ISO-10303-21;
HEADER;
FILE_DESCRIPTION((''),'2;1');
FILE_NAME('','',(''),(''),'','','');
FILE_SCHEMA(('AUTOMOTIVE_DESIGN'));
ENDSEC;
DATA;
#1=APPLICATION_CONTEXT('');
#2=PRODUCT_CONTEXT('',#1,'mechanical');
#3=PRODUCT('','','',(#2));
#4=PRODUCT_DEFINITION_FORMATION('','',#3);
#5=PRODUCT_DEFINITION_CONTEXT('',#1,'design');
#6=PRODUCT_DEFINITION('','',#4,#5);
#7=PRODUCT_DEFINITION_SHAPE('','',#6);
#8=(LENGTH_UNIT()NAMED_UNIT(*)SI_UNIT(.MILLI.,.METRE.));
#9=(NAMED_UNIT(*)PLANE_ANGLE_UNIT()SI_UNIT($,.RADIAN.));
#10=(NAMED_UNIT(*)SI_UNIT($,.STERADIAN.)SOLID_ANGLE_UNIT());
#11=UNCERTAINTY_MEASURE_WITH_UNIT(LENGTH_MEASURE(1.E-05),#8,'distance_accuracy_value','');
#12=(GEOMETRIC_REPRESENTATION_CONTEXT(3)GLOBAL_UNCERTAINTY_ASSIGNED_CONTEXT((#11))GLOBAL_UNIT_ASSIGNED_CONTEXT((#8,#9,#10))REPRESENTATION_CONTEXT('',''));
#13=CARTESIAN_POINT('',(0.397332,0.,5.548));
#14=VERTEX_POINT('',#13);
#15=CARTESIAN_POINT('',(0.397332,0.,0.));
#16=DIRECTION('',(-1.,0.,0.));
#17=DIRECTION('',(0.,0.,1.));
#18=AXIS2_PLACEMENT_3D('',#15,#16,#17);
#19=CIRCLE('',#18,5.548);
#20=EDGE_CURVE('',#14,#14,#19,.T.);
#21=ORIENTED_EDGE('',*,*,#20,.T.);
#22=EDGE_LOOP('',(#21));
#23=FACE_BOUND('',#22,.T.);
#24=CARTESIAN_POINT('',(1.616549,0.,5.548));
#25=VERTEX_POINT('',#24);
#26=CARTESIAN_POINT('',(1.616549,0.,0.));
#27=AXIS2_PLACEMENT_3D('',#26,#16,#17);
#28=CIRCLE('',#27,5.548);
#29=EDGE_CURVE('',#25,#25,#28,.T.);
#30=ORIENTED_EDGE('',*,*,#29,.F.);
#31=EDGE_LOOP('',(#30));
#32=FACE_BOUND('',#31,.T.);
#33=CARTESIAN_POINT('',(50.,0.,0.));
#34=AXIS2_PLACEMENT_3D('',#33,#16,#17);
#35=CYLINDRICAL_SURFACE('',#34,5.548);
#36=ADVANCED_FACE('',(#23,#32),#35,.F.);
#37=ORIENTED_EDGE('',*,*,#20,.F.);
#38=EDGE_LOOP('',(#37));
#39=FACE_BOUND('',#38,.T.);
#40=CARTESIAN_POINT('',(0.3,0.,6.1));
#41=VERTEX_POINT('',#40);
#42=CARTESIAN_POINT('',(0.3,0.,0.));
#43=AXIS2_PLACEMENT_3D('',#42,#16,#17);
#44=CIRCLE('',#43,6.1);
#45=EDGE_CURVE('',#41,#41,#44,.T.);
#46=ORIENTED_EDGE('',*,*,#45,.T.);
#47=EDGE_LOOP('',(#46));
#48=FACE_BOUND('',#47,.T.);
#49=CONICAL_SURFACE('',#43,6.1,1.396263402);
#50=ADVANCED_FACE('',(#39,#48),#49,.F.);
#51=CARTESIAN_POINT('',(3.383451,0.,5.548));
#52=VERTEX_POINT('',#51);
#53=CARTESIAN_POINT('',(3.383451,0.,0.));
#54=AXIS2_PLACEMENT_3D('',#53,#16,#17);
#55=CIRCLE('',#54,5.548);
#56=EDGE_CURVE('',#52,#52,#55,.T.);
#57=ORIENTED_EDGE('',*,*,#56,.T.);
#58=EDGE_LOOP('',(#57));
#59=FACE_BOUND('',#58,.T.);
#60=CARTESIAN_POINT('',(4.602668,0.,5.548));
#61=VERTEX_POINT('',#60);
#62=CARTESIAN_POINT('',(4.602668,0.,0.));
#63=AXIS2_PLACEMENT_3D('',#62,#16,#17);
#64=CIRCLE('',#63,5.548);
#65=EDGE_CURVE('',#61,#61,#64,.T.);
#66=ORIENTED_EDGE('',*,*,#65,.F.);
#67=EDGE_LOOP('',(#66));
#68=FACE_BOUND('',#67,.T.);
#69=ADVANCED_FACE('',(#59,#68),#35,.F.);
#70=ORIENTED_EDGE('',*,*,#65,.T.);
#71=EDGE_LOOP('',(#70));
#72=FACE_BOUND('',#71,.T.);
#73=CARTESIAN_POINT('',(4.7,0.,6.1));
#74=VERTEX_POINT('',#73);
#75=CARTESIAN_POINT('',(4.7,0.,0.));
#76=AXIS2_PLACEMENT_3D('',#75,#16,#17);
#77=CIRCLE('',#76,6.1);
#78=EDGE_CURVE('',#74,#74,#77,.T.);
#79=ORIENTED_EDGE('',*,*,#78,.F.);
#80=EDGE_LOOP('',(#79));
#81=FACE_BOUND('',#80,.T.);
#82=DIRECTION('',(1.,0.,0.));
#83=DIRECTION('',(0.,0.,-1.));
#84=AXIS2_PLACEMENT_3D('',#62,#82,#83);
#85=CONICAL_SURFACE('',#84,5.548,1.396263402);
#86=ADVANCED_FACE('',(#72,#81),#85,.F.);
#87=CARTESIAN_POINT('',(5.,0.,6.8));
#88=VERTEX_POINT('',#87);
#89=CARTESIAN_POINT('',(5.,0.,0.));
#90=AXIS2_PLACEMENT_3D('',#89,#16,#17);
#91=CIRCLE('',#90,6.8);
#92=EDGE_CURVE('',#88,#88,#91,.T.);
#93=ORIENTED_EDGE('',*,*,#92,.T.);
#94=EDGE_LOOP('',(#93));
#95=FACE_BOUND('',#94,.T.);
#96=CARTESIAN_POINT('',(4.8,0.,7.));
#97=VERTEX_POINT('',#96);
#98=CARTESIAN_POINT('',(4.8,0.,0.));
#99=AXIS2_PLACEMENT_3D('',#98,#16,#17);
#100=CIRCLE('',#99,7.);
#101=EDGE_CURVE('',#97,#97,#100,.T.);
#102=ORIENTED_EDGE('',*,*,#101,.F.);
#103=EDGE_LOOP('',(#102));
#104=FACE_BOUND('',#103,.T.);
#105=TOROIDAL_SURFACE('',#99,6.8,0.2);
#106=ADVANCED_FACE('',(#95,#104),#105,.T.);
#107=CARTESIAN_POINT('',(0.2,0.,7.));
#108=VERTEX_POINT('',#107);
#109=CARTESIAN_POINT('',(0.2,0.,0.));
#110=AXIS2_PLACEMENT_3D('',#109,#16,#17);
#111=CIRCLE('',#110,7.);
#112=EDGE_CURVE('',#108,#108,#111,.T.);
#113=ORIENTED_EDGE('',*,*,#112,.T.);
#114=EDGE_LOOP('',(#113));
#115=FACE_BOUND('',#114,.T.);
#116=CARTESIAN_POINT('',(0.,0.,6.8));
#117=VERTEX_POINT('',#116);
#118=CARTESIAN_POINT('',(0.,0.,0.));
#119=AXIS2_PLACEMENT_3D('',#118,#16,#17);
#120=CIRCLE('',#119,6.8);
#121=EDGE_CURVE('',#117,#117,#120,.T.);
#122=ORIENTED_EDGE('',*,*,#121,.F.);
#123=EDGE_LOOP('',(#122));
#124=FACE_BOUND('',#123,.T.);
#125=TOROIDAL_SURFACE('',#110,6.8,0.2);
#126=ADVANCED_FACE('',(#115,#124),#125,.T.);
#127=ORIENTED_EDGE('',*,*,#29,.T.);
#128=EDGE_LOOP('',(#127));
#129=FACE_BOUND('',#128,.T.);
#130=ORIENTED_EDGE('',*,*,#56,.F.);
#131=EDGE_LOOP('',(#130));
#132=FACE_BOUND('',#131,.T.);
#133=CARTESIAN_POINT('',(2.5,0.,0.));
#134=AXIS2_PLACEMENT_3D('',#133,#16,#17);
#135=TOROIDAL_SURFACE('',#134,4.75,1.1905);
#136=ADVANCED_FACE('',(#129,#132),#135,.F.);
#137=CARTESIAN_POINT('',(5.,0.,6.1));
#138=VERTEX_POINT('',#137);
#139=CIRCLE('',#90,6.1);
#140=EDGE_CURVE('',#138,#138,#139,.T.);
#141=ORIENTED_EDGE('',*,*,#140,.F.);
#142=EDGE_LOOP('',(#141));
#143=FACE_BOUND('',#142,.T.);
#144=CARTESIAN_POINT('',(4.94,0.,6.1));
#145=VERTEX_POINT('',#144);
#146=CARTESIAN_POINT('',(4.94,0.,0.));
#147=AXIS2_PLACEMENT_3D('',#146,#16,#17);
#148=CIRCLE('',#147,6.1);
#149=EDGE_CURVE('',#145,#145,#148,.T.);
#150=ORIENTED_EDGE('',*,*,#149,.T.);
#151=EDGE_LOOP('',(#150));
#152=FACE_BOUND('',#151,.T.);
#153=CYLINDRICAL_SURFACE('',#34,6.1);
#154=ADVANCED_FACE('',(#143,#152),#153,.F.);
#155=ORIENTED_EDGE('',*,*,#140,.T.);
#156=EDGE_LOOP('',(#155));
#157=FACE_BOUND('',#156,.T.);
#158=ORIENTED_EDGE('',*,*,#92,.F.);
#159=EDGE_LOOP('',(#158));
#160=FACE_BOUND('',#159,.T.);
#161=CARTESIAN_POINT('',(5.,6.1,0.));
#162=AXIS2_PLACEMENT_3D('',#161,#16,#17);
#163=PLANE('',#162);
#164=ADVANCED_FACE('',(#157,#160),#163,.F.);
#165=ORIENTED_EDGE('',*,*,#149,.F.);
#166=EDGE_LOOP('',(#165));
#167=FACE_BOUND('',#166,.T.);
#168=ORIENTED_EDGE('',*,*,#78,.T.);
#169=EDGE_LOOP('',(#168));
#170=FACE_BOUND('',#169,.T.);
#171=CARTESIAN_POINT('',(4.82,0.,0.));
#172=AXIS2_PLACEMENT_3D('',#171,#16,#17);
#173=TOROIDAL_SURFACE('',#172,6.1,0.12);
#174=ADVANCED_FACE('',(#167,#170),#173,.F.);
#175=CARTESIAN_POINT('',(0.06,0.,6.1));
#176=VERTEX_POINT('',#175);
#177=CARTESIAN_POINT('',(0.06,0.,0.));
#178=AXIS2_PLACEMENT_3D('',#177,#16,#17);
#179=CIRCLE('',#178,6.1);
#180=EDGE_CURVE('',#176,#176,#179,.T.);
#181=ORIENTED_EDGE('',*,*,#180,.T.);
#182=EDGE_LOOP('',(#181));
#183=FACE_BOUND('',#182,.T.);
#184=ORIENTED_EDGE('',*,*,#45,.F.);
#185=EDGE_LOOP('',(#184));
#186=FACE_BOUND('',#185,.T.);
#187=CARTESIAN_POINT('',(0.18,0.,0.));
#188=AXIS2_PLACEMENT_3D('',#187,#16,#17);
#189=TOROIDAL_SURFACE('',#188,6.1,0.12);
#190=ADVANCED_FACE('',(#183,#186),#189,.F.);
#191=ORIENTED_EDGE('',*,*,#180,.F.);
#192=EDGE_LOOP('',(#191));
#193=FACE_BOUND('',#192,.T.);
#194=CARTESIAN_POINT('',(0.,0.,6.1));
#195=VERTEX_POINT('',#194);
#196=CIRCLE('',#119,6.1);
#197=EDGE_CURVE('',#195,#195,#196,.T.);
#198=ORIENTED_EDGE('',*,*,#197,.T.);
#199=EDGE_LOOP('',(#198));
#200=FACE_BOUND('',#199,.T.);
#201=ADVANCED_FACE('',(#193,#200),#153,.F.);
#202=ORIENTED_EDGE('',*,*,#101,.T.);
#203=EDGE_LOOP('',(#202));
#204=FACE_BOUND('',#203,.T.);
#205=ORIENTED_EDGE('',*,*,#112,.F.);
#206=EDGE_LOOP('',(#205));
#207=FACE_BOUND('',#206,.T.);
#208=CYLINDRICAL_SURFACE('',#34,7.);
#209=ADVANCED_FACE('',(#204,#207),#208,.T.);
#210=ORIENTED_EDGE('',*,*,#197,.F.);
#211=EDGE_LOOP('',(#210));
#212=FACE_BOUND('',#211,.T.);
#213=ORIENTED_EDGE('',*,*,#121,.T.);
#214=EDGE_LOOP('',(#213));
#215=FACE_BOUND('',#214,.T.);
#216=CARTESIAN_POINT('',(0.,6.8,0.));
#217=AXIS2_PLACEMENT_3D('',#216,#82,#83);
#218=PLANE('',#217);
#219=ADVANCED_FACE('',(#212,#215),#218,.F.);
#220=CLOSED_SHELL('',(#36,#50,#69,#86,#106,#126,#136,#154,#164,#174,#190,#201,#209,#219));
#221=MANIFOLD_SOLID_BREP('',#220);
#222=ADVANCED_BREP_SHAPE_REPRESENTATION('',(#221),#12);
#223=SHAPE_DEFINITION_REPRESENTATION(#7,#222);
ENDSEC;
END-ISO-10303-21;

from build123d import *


with BuildPart() as part:
    # Sketch1 → Revolve1 (revolve)
    with BuildSketch(Plane.XY, mode=Mode.PRIVATE) as revolve1_sk:
        with BuildLine():
            Line((0, 6.8), (0, 6.1))
            Line((0, 6.1), (0.06, 6.1))
            ThreePointArc((0.06, 6.1), (0.18, 6.22), (0.3, 6.1))
            Line((0.3, 6.1), (0.397332493, 5.548))
            Line((0.397332493, 5.548), (1.616548671, 5.548))
            ThreePointArc((1.616548671, 5.548), (2.5, 5.9405), (3.383451329, 5.548))
            Line((3.383451329, 5.548), (4.602667507, 5.548))
            Line((4.602667507, 5.548), (4.7, 6.1))
            ThreePointArc((4.7, 6.1), (4.82, 6.22), (4.94, 6.1))
            Line((4.94, 6.1), (5, 6.1))
            Line((5, 6.1), (5, 6.8))
            ThreePointArc((5, 6.8), (4.941421356, 6.941421356), (4.8, 7))
            Line((4.8, 7), (0.2, 7))
            ThreePointArc((0.2, 7), (0.058578644, 6.941421356), (0, 6.8))
        make_face()
    revolve(revolve1_sk.sketch.rotate(Axis((50, 0, 0), (-1, 0, 0)), 270), axis=Axis((50, 0, 0), (-1, 0, 0)))


solid = part.part
